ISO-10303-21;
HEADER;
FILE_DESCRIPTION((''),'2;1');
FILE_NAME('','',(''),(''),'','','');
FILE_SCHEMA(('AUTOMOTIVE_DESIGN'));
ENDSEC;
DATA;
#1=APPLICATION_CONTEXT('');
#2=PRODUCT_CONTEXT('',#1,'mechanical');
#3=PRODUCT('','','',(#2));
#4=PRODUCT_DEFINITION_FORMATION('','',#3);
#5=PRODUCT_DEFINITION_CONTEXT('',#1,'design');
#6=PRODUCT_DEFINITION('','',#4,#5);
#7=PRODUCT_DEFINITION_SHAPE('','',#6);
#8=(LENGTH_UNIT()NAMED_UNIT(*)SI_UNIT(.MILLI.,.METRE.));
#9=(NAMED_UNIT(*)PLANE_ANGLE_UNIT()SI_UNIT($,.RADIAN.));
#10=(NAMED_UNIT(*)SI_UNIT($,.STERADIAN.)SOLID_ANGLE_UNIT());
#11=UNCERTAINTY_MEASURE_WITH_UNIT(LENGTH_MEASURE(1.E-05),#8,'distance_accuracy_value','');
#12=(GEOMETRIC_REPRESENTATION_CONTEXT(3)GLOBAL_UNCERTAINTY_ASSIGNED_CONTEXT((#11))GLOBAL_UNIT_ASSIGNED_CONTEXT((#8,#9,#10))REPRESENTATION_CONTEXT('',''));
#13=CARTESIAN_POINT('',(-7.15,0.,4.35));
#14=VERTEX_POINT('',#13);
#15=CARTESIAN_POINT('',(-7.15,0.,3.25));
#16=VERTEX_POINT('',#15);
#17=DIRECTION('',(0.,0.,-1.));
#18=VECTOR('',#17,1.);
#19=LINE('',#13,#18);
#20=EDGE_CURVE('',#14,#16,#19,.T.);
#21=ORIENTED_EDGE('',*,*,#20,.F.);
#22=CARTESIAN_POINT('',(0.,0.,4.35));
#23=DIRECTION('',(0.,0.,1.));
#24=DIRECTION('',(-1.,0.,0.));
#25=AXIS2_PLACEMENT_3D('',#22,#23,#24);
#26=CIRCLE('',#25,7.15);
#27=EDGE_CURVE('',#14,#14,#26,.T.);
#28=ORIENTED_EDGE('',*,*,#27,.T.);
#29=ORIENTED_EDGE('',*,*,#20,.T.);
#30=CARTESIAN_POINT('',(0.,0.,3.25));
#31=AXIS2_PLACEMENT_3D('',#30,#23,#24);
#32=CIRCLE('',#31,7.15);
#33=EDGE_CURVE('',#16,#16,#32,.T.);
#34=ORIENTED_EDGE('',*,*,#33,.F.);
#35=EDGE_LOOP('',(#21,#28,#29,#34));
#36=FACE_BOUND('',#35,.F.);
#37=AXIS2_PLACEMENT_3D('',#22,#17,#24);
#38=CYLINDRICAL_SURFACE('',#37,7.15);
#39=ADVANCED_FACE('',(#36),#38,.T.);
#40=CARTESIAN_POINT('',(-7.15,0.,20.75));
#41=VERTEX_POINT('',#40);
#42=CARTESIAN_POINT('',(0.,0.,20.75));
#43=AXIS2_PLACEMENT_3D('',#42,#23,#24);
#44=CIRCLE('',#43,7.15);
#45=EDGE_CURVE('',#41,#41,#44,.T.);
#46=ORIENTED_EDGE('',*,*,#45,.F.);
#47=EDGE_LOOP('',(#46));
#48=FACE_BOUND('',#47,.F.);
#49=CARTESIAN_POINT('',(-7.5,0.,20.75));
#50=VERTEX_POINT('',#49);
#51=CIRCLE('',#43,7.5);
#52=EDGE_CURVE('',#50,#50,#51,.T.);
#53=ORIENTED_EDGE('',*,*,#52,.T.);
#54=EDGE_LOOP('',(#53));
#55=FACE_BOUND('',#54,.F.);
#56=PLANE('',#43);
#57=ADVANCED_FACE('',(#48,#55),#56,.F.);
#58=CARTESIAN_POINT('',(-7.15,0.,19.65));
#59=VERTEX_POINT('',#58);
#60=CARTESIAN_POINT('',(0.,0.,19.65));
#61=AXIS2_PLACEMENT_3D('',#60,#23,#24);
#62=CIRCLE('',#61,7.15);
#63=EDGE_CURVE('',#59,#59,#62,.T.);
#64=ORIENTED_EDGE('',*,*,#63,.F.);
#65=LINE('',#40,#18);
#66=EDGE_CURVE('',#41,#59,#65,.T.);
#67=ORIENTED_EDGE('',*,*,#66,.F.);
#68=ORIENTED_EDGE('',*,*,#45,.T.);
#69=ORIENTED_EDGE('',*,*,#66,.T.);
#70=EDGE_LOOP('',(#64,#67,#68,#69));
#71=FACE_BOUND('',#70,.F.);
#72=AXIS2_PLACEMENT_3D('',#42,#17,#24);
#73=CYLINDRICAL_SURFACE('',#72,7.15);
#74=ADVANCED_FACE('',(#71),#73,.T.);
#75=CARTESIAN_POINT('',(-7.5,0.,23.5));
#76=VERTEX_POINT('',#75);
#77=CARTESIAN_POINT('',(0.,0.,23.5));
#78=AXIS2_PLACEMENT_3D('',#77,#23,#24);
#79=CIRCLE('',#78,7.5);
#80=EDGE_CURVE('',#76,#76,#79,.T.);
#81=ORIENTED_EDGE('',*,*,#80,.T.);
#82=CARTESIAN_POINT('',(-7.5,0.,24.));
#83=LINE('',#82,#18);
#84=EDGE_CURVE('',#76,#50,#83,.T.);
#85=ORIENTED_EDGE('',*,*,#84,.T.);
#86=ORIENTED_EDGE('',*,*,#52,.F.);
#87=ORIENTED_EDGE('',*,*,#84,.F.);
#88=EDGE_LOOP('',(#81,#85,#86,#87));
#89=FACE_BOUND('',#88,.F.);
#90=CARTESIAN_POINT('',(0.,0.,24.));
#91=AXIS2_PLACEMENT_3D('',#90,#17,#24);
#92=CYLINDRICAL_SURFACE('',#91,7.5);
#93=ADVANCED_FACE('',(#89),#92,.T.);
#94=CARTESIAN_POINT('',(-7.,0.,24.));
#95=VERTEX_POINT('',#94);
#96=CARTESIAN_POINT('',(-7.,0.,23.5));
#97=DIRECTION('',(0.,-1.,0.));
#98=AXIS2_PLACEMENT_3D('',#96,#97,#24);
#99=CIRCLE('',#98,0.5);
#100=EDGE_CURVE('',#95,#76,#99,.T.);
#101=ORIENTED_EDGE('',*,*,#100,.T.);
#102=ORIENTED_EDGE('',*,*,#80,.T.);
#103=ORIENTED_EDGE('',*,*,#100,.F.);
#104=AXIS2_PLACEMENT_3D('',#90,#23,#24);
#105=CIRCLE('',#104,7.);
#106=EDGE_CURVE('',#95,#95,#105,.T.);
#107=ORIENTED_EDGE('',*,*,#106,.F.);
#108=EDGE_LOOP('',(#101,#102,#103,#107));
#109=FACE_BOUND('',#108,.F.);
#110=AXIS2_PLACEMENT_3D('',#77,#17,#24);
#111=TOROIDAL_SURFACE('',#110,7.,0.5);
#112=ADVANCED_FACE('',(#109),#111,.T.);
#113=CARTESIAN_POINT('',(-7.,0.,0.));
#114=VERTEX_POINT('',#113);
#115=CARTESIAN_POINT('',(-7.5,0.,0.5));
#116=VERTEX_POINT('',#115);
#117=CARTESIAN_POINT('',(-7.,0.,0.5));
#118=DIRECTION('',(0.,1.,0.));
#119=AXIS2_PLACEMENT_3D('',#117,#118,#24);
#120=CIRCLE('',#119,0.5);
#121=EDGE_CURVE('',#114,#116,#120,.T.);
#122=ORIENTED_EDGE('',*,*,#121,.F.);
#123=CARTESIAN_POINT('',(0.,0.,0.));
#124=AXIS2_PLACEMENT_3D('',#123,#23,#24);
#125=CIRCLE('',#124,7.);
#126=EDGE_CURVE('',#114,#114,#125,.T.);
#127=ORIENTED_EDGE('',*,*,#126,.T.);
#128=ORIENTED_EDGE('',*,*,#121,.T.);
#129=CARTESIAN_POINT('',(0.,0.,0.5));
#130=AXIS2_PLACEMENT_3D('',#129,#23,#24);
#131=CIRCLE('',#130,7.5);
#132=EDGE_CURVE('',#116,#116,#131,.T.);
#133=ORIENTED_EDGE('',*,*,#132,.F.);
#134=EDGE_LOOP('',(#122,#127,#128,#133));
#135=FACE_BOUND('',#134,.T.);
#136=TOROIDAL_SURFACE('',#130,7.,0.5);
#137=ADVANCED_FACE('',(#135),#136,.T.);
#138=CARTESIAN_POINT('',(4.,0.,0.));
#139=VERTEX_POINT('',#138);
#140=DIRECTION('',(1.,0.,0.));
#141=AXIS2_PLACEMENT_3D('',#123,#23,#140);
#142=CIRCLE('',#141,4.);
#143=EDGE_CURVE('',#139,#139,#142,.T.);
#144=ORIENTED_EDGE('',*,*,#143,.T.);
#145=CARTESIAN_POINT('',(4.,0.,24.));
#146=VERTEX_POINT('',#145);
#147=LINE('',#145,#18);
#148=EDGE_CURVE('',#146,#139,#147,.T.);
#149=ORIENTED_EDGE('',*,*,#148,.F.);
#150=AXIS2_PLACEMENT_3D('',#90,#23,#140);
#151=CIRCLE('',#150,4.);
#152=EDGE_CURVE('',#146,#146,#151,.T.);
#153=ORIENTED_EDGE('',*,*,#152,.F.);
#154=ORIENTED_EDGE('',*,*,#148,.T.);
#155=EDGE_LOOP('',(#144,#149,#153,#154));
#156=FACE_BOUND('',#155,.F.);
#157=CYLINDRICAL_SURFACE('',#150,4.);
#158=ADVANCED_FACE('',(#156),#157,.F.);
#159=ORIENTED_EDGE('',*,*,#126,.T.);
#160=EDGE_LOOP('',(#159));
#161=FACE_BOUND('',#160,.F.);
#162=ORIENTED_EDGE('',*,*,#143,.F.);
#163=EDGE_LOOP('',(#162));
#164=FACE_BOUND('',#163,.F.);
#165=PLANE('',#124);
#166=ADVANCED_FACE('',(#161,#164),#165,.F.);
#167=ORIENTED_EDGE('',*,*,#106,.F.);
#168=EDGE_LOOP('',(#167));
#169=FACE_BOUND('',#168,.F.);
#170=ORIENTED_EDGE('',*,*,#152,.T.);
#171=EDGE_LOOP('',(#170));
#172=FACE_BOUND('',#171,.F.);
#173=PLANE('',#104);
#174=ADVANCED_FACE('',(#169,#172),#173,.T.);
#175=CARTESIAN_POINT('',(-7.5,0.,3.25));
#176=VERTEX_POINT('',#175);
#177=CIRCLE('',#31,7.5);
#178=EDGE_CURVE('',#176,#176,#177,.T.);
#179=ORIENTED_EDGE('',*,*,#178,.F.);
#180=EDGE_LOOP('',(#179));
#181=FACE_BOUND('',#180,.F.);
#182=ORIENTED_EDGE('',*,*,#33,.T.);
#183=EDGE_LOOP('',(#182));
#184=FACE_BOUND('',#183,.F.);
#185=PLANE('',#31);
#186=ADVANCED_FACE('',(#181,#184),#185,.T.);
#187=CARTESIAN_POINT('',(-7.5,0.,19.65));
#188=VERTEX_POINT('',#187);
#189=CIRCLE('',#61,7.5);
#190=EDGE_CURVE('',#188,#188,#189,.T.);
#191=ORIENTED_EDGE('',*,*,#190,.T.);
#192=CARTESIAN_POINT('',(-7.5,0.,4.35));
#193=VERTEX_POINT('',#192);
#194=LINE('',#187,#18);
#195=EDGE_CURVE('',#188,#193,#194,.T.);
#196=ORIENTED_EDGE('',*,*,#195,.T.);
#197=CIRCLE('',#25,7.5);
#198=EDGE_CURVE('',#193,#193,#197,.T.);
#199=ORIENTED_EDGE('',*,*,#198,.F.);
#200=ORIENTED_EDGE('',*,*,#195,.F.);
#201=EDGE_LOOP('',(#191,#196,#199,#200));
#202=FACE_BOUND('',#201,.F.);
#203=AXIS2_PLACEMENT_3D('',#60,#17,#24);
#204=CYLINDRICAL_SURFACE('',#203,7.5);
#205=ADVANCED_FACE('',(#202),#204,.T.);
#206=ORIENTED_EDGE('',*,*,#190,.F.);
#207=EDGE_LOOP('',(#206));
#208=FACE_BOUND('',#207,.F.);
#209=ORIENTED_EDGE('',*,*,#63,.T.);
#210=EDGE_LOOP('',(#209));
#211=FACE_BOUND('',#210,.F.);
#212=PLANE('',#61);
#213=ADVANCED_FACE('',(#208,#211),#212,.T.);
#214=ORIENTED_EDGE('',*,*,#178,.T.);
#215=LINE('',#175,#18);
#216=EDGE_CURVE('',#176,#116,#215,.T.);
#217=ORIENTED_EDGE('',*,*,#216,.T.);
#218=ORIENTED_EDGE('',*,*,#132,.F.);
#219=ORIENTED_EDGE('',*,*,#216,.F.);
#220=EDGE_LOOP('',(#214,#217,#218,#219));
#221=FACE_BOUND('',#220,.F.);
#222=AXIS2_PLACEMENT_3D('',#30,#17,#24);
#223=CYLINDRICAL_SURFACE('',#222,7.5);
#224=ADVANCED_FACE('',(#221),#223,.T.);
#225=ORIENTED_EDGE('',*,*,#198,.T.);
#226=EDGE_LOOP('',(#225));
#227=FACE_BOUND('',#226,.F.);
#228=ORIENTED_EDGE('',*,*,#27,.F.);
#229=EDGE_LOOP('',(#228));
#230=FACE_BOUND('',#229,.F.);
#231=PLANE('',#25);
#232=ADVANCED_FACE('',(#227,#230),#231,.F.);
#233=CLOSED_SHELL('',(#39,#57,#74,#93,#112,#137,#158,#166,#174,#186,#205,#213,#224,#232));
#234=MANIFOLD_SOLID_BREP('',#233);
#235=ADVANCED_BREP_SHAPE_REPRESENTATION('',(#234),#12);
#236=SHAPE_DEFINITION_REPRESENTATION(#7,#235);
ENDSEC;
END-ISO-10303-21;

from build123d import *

# Parameters (mm, degrees)
F2_R     = 4
F3_DEPTH = 25
F4_R     = 0.5


with BuildPart() as f1:
    # F0 (on Front) → F1 (revolve)
    with BuildSketch(Plane.XZ):
        Polygon((-7.5, 0), (0, 0), (0, 24), (-7.5, 24), (-7.5, 20.75), (-7.15, 20.75), (-7.15, 19.65), (-7.5, 19.65), (-7.5, 4.35), (-7.15, 4.35), (-7.15, 3.25), (-7.5, 3.25), align=None)
    revolve(axis=Axis((0, 0, 12), (0, 0, 1)))

    # F2 (on face) → F3 (cut)
    with BuildSketch(Plane.XY.offset(24)):
        Circle(F2_R)
    extrude(amount=-F3_DEPTH, mode=Mode.SUBTRACT)

    # F4
    f4_edges = [f1.edges().sort_by_distance(p)[0] for p in [
        (7.5, 0, 0),
        (7.5, 0, 24),
    ]]
    fillet(f4_edges, radius=F4_R)


solid = f1.part
